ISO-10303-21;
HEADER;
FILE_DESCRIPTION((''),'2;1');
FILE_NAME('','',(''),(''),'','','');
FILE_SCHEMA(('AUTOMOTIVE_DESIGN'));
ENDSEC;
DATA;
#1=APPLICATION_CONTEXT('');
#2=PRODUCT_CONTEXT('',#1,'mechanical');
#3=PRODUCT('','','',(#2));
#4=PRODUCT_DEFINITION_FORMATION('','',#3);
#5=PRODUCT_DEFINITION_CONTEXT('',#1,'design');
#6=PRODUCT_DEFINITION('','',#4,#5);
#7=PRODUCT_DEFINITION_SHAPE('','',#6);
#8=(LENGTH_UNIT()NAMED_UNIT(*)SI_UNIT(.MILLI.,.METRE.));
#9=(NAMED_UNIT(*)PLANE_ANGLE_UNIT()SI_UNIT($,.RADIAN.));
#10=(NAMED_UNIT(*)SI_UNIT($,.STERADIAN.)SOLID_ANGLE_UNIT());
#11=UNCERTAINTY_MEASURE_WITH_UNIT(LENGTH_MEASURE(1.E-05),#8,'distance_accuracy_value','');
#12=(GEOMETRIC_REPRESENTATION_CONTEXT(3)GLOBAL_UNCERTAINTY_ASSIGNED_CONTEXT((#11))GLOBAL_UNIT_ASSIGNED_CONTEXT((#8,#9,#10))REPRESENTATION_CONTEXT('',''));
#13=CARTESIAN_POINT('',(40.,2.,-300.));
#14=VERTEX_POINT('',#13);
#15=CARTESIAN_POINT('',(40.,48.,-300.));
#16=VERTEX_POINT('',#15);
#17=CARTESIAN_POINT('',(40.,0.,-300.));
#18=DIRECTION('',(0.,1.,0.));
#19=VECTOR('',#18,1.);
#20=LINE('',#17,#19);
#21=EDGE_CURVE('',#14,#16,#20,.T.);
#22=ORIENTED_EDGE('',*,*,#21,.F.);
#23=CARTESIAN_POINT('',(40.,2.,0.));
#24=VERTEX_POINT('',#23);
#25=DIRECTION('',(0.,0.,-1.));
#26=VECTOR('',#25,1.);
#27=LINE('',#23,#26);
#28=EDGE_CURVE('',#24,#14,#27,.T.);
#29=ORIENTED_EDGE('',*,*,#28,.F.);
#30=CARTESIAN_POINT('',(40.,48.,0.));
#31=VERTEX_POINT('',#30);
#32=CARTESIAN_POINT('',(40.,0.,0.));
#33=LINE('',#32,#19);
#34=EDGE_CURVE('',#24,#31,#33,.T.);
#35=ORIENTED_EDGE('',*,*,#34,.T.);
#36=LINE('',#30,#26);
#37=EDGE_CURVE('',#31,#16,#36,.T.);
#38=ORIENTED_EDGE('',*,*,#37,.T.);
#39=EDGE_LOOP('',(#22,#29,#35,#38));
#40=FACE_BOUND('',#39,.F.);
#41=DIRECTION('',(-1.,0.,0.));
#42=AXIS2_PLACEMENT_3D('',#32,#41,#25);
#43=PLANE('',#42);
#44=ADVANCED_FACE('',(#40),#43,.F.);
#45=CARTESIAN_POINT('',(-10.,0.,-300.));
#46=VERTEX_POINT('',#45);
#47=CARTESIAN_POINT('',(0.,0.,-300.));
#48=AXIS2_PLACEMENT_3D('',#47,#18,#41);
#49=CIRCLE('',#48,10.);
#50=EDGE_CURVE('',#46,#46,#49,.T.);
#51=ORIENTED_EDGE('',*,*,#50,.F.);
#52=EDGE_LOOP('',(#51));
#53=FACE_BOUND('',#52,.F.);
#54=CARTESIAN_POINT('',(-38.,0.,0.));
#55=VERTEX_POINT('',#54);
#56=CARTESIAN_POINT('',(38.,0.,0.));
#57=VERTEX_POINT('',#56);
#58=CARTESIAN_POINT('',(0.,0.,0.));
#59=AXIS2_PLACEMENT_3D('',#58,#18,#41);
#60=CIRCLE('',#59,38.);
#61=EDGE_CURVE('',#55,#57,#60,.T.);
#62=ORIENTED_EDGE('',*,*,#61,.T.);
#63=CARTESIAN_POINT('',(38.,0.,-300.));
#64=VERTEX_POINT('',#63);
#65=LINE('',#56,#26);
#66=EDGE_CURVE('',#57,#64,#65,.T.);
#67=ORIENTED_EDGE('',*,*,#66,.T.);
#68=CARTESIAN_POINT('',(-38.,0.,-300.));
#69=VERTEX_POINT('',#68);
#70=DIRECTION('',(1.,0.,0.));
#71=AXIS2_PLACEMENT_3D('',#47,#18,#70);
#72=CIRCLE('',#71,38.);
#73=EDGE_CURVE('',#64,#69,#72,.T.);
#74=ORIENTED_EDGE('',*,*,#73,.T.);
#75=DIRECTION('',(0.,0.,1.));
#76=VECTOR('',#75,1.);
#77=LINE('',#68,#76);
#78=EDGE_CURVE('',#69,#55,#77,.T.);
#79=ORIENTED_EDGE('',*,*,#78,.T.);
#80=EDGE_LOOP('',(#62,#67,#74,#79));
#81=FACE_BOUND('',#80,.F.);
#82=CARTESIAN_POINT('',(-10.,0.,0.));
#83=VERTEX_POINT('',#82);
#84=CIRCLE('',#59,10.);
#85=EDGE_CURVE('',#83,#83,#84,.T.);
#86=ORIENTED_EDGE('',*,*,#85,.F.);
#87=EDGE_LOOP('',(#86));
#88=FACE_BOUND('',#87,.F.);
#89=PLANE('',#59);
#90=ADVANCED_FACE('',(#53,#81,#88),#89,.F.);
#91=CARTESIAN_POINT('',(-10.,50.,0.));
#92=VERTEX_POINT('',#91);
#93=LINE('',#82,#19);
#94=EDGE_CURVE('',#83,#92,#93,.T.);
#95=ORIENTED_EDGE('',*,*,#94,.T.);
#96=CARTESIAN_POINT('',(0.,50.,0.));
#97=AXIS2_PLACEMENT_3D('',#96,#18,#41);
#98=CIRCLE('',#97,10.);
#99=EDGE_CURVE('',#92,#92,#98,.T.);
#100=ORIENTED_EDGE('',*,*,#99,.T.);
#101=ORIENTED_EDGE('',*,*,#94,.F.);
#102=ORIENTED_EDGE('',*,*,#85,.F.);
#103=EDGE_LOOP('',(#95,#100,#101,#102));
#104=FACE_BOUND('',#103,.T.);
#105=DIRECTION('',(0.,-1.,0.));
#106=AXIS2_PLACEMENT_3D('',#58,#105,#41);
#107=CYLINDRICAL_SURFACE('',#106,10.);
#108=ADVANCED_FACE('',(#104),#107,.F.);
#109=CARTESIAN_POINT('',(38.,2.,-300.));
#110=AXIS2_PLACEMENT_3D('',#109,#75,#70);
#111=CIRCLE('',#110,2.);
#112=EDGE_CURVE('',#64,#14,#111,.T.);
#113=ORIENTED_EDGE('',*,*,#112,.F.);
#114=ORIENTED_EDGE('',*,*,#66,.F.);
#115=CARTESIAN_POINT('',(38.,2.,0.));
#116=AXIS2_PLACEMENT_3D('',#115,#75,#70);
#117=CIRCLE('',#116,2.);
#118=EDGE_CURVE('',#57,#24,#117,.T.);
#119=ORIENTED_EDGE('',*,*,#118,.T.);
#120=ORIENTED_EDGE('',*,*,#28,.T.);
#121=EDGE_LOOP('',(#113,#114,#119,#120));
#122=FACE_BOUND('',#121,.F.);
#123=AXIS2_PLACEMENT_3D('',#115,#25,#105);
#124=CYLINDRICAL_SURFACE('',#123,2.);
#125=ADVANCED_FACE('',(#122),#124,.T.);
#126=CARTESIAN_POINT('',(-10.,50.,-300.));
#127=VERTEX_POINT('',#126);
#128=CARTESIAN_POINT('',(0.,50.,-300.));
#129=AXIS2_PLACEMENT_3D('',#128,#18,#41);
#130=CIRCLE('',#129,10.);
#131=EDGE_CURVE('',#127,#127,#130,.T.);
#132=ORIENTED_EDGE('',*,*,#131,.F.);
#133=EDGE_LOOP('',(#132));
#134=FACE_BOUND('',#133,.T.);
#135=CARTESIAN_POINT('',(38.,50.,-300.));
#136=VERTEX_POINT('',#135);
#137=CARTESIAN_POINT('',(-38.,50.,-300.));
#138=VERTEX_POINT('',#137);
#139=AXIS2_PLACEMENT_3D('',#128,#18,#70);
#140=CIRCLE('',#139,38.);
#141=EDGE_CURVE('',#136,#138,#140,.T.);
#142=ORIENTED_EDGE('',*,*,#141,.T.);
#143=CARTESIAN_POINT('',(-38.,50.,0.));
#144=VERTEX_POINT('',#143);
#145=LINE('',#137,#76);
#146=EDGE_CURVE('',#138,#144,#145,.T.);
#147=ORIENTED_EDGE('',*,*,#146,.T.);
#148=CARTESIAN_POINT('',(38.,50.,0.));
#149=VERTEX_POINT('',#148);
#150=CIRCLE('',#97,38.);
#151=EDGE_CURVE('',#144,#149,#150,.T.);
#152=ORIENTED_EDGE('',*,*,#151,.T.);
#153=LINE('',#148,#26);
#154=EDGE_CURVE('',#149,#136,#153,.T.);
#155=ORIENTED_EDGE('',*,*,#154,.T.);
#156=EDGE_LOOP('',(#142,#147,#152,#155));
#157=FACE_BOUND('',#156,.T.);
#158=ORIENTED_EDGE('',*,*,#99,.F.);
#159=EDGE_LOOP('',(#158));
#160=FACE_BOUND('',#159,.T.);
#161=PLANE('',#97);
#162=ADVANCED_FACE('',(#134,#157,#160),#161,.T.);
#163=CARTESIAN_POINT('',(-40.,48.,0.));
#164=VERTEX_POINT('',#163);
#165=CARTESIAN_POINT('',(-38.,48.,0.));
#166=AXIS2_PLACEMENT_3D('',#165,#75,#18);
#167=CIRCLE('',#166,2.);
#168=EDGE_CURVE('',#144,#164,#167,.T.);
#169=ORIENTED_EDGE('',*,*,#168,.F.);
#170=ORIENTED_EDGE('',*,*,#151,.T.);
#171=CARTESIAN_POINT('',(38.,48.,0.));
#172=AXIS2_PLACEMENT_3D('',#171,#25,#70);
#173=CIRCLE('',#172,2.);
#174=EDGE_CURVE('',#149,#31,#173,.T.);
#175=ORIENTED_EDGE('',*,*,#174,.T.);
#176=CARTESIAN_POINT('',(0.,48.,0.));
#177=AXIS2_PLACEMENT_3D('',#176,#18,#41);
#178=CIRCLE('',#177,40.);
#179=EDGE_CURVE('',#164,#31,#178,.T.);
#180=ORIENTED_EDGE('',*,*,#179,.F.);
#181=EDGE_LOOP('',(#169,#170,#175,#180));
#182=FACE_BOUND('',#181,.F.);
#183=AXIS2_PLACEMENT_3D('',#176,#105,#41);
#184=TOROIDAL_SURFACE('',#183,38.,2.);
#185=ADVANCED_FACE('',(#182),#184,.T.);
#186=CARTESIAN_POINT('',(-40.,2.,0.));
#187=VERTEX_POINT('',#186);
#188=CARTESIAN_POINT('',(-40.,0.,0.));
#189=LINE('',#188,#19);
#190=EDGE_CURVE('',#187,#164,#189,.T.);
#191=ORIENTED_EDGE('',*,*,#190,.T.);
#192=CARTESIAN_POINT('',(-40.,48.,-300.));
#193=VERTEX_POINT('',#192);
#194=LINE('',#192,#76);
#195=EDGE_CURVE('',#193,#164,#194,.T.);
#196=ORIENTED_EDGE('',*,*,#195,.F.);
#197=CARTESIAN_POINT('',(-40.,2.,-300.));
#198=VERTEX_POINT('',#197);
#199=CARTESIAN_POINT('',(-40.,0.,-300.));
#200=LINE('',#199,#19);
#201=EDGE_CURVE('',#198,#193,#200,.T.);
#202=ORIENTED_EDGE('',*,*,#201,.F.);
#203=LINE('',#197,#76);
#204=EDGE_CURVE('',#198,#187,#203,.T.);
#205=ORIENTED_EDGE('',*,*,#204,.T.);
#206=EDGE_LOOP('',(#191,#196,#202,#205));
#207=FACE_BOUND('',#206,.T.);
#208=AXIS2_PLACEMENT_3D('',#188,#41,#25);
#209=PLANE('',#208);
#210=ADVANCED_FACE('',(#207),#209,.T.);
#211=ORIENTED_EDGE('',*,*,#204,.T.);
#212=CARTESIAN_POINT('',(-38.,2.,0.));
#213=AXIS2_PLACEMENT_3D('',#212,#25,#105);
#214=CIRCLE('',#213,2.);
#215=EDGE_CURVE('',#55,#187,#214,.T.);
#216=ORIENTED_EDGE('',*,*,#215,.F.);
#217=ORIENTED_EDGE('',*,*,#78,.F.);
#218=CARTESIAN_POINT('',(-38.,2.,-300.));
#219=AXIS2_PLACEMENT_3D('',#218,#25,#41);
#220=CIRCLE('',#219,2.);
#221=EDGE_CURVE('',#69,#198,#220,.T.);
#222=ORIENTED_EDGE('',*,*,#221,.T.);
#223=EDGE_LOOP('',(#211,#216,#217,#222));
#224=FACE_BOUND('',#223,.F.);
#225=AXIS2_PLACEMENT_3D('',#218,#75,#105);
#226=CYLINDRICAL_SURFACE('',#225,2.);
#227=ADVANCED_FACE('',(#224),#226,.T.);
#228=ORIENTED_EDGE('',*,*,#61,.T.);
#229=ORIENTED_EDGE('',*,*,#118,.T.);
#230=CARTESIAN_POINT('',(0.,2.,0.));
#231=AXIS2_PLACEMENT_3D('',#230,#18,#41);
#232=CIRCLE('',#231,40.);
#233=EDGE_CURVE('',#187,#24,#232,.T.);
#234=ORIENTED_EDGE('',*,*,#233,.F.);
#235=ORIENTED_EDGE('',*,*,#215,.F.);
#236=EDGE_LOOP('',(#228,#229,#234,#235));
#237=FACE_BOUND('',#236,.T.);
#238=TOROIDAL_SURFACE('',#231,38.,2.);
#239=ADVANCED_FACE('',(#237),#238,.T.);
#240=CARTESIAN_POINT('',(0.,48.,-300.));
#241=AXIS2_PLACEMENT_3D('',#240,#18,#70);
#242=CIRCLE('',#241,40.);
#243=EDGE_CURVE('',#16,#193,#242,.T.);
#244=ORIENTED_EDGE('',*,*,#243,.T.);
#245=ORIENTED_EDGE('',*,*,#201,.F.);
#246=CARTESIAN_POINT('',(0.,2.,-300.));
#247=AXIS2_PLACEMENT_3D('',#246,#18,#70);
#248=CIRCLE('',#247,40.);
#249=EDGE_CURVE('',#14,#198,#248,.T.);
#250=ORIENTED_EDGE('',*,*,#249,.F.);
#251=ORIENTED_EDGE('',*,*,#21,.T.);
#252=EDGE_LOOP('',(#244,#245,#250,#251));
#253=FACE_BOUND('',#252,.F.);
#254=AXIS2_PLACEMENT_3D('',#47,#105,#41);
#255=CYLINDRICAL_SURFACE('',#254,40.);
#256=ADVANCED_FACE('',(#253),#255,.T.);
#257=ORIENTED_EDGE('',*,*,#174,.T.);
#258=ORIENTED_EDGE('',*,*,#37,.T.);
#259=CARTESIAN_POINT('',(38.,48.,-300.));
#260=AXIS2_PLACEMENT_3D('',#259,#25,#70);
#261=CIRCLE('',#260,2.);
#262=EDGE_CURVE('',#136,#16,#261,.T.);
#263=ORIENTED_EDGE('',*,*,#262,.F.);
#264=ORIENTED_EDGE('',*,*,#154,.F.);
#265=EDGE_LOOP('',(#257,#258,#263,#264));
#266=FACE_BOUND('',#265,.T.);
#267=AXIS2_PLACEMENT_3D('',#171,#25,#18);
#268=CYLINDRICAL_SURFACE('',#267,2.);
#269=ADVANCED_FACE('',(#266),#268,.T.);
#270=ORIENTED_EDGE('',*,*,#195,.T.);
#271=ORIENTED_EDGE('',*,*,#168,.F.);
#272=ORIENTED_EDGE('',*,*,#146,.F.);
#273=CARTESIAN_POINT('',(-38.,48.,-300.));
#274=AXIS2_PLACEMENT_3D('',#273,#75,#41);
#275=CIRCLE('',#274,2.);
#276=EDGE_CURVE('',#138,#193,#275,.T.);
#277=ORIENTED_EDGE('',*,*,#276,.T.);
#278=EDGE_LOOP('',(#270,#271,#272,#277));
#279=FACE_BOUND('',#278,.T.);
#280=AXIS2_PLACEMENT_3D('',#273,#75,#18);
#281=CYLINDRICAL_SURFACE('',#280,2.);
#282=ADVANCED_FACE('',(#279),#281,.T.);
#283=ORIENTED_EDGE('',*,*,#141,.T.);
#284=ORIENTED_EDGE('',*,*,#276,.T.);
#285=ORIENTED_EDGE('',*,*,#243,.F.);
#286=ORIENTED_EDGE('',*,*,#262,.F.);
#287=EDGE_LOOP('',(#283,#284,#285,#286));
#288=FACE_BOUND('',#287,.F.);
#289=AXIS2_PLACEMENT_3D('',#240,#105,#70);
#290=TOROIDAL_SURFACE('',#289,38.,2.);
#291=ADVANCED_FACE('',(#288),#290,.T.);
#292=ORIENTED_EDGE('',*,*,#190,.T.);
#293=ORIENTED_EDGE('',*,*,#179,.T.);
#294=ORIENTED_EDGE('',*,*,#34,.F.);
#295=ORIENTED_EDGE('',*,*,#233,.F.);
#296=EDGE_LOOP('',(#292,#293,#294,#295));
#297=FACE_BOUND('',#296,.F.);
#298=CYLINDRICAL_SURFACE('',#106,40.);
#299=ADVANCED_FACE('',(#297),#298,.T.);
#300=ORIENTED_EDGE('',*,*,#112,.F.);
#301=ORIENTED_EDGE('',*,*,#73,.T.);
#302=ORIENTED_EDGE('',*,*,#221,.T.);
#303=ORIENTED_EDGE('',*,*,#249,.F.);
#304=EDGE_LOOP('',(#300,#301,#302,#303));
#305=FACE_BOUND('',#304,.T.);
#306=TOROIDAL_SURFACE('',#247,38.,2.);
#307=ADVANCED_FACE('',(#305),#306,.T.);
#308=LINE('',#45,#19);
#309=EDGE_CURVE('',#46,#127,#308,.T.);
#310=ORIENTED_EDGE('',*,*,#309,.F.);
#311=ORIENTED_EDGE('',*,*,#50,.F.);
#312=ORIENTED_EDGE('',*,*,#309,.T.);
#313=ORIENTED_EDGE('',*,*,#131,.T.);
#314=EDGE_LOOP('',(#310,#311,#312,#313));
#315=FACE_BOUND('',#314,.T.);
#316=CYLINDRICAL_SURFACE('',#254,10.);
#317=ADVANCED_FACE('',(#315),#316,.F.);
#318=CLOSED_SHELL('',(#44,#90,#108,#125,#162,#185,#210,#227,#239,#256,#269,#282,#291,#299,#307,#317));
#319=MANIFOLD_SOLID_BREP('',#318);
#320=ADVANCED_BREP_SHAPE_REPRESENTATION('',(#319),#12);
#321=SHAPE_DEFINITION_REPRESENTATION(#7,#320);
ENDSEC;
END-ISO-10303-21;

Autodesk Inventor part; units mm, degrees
ref_plane "YZ Plane" through (0, 0, 0) normal (1, 0, 0) x (0, 1, 0)
ref_plane "XZ Plane" through (0, 0, 0) normal (0, 1, 0) x (-1, 0, 0)
ref_plane "XY Plane" through (0, 0, 0) normal (0, 0, 1) x (1, 0, 0)
sketch "Sketch1" plane through (0, 0, 0) normal (0, 1, 0) x (-1, 0, 0)
  circle A0 centre (0, 0) radius 40
  circle A1 centre (0, 0) radius 10
  circle A2 centre (0, -300) radius 40
  circle A3 centre (0, -300) radius 10
  line L0 (40, 0) -> (40, -300)
  line L1 (-40, 0) -> (-40, -300)
  dimension "d0" = 80
  dimension "d1" = 20
  dimension "d2" = 80
  dimension "d3" = 20
  dimension "d4" = 300
extrude "Extrusion1" add sketch "Sketch1" along normal blind 50
fillet "Fillet1" radius 2 8 edges at (0, 50, -340) (-40, 50, -150) (0, 50, 40) (40, 50, -150) (0, 0, -340) (-40, 0, -150) (0, 0, 40) (40, 0, -150)
properties part number "Link2_3"
